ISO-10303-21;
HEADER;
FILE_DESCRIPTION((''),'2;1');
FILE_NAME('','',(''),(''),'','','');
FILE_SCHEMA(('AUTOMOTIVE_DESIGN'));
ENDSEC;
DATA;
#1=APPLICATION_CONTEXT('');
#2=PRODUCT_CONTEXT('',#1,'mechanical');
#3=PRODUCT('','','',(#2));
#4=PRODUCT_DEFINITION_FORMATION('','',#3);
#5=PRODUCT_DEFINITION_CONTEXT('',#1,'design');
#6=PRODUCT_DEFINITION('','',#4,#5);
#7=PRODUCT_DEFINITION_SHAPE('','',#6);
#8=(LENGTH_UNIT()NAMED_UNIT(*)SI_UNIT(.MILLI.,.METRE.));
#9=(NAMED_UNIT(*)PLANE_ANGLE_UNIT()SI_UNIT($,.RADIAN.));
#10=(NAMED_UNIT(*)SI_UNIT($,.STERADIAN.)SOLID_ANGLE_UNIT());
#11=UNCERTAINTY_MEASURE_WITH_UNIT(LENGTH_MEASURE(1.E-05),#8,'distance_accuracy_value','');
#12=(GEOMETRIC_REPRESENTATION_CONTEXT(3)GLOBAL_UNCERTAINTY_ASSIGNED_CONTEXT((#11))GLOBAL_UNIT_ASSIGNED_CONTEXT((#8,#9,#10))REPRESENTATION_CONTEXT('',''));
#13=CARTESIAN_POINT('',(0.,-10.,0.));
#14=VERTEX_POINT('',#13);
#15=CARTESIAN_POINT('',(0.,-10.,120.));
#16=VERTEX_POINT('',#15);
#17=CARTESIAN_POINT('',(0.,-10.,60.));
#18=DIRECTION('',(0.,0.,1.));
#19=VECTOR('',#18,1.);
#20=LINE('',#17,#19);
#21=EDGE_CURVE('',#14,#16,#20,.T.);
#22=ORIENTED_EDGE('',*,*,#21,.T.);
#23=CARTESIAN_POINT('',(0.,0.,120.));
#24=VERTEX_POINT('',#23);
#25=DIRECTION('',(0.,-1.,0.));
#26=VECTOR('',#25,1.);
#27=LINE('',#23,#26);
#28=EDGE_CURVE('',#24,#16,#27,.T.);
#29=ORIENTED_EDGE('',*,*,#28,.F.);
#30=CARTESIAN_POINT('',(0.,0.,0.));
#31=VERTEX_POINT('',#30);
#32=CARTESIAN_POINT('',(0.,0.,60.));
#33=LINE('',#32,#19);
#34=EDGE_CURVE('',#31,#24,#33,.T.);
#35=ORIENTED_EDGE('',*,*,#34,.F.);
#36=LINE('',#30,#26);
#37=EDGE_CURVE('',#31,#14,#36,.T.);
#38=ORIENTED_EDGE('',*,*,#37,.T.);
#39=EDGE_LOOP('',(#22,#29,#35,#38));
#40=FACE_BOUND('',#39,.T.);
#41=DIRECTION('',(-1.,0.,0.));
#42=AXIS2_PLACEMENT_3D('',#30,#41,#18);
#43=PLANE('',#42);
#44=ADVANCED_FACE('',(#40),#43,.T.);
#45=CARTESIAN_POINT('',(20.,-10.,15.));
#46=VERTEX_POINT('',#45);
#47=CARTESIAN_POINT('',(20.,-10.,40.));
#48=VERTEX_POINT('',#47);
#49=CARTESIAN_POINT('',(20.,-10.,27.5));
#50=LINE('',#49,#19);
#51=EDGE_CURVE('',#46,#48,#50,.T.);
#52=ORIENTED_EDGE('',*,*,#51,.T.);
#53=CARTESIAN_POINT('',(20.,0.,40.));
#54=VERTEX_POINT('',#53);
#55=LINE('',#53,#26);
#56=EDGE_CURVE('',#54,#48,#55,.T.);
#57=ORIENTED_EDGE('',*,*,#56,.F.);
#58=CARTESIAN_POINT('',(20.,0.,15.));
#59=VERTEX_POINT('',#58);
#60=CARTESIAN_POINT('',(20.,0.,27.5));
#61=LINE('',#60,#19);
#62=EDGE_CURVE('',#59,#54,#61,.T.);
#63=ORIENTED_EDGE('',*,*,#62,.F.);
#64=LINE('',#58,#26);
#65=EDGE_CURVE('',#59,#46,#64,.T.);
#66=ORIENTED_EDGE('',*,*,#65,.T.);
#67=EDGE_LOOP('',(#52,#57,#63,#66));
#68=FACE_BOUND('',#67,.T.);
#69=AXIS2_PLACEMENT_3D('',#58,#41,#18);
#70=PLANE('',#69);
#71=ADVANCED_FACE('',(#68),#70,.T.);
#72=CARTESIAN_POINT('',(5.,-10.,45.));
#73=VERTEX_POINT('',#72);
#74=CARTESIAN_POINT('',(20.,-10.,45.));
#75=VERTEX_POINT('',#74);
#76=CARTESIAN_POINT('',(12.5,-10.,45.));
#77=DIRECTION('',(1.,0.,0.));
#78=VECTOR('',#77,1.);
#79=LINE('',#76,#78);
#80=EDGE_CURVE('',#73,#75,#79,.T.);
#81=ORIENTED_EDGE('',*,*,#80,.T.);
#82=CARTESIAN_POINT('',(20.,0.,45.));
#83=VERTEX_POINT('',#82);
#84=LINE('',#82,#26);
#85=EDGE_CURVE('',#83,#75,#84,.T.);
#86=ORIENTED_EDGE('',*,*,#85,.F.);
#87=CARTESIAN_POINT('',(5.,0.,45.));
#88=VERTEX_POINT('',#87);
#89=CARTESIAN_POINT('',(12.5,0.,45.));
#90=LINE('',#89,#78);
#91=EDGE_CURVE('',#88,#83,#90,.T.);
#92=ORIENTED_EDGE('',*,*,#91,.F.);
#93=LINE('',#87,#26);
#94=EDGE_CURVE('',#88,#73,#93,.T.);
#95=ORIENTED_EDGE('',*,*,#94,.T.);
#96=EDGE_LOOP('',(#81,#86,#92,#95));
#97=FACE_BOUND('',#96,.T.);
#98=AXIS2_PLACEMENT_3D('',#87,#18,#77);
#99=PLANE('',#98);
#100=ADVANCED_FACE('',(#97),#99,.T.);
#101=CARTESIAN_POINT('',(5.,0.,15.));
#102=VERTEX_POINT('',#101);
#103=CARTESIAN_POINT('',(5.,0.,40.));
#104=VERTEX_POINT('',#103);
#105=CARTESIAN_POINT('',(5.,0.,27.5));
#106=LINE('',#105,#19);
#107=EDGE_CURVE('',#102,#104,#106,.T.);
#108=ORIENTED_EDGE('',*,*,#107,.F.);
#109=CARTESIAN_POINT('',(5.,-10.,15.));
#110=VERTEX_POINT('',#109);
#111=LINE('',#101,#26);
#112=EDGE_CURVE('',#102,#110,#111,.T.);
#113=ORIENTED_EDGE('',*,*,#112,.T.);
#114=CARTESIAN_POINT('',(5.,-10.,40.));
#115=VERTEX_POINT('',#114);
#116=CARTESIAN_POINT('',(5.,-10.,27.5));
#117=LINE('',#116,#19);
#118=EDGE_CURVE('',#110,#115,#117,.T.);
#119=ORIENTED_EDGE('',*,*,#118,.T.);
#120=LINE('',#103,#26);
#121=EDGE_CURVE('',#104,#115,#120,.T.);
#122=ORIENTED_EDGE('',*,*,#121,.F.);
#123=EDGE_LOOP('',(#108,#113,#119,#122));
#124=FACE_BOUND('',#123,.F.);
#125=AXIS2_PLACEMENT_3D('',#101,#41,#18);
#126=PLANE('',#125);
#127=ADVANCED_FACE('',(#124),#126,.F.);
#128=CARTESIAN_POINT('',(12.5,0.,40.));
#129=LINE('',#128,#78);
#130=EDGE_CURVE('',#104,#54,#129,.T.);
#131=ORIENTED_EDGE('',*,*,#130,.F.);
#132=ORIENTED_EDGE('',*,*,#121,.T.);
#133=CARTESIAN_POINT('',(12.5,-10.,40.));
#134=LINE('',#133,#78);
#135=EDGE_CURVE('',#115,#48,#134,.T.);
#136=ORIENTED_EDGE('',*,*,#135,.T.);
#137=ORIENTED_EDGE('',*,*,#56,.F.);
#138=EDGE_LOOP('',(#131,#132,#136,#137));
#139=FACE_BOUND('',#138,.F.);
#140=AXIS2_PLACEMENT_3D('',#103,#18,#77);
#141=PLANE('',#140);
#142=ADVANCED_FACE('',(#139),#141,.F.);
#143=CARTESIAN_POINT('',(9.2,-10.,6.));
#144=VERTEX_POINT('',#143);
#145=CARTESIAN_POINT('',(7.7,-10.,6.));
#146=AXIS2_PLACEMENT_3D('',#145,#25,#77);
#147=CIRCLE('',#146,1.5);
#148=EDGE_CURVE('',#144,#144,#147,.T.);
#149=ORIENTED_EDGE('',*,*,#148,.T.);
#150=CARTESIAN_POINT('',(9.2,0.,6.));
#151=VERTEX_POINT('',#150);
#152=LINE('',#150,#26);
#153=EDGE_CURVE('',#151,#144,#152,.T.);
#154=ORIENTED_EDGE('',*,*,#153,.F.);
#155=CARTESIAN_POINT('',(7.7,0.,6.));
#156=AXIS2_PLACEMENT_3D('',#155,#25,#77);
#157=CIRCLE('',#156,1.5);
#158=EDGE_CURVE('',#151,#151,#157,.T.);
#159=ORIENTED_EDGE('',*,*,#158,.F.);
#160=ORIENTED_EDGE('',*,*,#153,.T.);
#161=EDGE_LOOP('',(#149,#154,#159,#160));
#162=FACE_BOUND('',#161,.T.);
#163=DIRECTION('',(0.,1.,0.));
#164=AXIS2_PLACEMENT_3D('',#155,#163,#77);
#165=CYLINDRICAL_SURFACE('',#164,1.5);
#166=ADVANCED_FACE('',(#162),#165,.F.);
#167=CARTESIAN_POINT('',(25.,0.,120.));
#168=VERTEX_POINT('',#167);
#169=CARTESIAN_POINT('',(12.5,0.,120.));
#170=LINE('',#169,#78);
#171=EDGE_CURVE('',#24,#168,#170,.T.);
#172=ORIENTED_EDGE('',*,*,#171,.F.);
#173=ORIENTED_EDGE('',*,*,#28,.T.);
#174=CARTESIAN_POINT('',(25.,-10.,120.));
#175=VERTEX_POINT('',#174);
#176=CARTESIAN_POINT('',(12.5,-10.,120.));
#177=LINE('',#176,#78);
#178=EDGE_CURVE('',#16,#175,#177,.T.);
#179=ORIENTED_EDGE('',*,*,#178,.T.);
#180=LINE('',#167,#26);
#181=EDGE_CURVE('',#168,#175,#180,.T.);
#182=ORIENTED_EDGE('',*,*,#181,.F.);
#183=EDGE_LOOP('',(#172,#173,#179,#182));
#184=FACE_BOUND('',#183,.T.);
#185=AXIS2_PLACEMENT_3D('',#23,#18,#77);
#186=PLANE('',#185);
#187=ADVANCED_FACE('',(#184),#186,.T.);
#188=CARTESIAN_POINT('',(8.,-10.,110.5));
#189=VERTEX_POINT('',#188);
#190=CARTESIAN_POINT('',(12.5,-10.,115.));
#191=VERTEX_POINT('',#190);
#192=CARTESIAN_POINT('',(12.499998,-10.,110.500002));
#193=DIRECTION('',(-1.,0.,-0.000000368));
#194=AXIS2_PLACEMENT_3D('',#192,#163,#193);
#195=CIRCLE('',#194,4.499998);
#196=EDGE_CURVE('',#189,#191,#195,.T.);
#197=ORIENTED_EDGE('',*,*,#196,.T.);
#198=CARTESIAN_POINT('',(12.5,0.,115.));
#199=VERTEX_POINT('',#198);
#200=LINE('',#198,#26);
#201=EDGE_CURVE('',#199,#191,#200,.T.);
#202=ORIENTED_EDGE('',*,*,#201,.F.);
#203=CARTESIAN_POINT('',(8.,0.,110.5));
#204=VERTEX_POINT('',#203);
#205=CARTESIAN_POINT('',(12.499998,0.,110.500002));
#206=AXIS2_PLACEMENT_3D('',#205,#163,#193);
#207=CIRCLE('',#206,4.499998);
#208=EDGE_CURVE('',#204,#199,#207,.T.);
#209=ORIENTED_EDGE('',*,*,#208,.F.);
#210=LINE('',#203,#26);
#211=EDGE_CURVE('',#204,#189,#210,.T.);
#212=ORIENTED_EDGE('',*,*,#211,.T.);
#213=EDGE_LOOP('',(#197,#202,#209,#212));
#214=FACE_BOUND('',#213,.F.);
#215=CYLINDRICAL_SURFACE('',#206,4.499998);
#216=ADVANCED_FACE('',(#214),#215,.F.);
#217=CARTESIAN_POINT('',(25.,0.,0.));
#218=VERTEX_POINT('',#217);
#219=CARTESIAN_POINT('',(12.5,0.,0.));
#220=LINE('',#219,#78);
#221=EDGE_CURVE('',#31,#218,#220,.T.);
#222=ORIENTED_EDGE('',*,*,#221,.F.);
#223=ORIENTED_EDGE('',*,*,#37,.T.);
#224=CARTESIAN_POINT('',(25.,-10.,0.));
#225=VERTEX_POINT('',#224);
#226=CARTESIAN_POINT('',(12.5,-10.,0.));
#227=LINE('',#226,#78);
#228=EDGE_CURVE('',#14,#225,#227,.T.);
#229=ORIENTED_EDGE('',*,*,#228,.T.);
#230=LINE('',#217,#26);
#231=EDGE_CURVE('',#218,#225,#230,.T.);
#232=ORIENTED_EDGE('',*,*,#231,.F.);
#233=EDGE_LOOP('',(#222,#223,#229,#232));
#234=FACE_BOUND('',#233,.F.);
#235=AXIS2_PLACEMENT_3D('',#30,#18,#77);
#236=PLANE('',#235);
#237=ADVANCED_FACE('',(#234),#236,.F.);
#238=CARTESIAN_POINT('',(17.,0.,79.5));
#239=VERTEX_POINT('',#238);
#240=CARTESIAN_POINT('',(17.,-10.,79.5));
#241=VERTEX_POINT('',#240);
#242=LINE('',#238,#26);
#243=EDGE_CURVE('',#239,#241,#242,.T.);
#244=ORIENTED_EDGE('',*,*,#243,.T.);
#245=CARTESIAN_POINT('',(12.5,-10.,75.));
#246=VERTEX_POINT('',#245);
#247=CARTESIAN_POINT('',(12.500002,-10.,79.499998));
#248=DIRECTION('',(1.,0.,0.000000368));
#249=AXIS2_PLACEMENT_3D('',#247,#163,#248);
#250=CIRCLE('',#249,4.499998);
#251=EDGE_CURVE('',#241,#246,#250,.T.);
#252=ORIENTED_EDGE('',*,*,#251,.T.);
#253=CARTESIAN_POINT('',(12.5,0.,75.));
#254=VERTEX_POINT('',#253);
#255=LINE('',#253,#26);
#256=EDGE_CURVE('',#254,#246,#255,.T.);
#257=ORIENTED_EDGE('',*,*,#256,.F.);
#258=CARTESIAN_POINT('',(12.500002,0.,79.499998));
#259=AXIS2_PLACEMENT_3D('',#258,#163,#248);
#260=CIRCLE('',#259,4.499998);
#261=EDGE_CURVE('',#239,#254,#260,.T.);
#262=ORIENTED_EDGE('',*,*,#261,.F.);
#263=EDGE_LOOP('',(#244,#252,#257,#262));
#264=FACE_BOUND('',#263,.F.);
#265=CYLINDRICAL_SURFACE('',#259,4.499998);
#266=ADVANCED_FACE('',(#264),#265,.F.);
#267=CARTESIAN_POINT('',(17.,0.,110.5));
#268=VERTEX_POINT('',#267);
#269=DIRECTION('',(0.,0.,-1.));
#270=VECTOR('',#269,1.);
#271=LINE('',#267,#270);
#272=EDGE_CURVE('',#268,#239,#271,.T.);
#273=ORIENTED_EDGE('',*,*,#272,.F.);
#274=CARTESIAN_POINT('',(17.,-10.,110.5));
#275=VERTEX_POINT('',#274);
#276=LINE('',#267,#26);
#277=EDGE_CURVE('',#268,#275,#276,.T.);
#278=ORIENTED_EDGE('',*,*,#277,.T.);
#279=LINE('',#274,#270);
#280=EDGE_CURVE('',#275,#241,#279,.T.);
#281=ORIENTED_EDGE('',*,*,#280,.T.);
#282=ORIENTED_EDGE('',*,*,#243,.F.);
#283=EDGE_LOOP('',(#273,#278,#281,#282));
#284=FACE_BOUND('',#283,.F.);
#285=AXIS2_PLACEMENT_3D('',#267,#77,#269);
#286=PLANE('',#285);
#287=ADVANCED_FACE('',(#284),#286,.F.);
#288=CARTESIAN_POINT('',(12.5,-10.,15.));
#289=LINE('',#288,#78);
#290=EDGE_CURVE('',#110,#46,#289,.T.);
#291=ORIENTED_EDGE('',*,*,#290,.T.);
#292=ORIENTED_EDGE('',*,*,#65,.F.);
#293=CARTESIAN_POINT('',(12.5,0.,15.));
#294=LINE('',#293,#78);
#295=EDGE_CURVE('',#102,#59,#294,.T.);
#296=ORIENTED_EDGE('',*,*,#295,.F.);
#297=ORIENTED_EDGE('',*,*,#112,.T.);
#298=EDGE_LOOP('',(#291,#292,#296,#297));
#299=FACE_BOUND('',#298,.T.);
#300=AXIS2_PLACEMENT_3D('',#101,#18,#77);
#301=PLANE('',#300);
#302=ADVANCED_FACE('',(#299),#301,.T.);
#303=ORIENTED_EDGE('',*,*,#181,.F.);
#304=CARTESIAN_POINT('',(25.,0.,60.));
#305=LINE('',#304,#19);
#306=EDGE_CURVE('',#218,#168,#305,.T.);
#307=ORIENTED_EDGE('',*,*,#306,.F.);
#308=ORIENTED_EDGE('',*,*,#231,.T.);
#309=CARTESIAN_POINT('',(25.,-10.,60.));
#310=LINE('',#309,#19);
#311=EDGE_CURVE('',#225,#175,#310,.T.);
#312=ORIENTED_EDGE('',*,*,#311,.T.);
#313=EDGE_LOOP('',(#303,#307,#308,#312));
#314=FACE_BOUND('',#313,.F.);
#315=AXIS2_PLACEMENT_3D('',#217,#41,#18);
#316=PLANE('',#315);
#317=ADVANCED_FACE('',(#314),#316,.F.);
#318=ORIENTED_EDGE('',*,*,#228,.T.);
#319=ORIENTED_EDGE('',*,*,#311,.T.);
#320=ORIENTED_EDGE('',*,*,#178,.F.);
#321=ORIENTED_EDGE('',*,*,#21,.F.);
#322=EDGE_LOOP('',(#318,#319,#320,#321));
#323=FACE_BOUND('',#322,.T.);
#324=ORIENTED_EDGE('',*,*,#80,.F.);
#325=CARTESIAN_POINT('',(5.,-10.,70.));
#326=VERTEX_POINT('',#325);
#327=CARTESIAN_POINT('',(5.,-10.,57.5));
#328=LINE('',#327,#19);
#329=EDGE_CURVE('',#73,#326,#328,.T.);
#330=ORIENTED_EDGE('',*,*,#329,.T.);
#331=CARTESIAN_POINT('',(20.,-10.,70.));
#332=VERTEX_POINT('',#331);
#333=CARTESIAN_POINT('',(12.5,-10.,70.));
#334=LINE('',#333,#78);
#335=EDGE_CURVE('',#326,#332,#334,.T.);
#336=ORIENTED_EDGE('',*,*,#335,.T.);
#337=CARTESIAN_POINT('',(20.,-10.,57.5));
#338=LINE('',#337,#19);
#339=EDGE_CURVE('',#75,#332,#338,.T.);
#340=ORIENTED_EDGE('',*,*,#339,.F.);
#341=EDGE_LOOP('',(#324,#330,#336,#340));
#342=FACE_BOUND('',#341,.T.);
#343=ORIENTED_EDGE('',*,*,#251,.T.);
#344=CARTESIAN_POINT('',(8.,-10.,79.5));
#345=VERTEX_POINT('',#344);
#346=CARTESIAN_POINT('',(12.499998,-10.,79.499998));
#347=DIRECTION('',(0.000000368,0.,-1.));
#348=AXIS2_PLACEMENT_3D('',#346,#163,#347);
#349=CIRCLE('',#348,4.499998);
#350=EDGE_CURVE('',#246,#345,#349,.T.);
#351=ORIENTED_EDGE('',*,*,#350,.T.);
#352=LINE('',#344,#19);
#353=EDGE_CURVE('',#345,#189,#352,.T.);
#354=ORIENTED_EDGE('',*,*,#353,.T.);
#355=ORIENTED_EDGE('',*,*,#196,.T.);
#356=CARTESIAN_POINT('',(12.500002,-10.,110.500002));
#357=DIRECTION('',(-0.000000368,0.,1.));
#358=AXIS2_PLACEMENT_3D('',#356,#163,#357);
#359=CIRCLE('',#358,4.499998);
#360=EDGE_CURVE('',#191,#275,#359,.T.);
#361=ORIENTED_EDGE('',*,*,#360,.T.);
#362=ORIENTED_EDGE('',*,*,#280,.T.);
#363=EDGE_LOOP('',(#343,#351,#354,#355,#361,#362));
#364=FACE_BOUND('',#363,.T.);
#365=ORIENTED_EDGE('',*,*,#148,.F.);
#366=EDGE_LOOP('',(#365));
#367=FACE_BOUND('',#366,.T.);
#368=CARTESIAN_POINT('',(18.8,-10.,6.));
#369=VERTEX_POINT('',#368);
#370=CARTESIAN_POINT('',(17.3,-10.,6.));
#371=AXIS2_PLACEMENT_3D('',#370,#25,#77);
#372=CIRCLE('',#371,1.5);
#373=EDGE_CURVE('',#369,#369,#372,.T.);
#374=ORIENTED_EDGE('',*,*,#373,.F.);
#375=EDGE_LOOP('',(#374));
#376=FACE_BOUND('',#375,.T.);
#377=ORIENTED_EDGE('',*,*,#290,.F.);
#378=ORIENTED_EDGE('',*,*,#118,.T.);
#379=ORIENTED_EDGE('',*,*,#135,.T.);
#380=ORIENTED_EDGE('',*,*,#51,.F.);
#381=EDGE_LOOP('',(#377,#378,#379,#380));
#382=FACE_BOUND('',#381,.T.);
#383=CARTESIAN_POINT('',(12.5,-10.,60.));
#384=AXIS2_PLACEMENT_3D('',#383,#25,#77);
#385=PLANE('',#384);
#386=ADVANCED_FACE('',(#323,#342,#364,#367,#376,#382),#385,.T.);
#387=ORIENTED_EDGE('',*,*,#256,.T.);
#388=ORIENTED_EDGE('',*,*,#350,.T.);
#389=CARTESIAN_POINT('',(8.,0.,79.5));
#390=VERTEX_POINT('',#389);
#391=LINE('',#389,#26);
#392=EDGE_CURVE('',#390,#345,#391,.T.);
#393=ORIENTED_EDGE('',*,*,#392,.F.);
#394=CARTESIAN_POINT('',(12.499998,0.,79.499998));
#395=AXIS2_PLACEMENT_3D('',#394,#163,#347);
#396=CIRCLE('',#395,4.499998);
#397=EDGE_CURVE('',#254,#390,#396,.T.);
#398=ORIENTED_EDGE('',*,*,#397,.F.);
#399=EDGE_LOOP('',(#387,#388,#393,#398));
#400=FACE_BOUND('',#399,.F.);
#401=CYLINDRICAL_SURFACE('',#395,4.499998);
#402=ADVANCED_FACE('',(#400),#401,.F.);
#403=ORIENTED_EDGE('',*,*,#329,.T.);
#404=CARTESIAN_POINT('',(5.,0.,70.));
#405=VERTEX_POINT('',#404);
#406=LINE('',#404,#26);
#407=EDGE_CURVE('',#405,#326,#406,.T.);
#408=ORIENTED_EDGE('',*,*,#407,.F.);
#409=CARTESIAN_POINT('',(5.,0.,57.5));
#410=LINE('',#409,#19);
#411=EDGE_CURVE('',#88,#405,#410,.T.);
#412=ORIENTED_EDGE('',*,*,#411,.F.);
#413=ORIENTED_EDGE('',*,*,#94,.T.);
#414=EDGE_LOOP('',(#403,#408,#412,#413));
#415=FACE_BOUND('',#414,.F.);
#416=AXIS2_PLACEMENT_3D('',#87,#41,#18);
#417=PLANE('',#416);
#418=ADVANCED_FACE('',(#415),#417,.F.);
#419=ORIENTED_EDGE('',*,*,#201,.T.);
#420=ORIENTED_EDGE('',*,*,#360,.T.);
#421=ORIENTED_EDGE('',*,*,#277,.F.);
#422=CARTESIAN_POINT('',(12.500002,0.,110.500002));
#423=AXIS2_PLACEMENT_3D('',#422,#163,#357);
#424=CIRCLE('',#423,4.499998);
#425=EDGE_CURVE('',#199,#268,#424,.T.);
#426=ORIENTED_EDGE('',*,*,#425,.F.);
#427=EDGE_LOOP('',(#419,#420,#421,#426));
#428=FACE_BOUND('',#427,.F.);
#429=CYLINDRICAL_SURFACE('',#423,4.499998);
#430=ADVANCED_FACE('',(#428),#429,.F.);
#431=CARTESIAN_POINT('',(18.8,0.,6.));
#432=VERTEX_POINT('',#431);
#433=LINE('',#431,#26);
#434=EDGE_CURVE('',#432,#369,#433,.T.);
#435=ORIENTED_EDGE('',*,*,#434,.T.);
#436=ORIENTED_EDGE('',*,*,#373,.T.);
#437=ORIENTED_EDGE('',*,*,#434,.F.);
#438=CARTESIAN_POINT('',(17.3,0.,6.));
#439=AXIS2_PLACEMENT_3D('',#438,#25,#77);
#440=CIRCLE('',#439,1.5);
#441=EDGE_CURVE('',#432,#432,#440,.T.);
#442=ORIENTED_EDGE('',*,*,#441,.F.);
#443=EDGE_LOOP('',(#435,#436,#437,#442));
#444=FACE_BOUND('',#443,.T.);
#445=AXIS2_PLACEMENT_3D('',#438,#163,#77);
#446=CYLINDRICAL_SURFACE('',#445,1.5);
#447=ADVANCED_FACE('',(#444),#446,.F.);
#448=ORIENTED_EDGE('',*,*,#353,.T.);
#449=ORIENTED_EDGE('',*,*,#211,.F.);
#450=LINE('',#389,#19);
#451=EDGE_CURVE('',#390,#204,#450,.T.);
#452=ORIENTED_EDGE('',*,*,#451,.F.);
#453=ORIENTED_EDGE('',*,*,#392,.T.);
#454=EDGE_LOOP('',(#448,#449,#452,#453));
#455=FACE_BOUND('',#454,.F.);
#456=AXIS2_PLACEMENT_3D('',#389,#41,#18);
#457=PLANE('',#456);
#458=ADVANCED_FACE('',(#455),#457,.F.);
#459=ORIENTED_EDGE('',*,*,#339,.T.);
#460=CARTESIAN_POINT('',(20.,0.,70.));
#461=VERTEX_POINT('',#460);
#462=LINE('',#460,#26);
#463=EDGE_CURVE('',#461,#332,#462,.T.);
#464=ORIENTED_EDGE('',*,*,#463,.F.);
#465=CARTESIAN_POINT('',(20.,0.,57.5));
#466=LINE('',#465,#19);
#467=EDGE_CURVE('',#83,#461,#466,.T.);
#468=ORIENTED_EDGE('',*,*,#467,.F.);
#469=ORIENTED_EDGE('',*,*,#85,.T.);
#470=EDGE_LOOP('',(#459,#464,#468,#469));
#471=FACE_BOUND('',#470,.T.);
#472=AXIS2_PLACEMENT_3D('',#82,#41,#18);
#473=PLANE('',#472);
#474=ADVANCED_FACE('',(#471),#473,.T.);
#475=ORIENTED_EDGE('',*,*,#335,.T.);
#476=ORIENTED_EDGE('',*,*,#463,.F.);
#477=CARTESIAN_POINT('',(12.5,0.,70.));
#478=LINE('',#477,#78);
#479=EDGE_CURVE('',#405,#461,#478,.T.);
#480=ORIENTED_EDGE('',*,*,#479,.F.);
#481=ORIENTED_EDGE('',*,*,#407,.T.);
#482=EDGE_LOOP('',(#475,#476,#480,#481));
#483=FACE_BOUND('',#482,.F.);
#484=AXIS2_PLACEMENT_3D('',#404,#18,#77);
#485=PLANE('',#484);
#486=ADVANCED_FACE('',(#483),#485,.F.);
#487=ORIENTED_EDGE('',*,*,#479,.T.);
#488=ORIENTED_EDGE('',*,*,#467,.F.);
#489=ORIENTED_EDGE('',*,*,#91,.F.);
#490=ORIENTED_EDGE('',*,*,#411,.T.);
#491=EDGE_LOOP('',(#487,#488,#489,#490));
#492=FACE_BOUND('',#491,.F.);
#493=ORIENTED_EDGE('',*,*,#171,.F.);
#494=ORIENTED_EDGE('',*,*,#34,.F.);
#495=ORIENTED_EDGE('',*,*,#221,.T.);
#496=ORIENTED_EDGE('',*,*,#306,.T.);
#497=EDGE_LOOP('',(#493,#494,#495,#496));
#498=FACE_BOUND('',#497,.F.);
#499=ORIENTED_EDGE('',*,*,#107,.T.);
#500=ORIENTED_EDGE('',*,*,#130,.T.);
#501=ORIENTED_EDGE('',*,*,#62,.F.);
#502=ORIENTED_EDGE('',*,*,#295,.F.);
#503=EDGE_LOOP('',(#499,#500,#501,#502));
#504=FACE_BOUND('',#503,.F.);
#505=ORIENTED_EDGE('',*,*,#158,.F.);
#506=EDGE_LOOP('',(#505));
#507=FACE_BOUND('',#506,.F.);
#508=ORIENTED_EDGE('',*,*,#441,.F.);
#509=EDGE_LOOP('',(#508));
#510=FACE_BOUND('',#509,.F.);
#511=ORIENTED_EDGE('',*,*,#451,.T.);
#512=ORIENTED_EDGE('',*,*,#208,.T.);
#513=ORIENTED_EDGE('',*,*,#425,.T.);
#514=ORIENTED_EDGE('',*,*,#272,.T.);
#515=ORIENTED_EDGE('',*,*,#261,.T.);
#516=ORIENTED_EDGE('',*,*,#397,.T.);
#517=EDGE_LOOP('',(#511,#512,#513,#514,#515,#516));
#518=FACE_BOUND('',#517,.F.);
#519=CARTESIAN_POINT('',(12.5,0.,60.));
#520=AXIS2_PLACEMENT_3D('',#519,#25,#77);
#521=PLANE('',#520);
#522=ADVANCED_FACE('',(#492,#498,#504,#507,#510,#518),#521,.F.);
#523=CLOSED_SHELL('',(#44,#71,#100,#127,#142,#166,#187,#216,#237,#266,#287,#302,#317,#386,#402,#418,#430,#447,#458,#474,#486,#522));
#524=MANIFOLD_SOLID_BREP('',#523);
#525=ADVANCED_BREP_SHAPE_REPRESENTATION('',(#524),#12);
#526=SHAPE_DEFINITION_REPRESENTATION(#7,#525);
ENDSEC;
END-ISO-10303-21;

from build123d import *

# Parameters (mm, degrees)
F0_W     = 25
F0_H     = 120
F0_R     = 1.5
F0_W_2   = 15
F0_H_2   = 25
F1_DEPTH = 10


with BuildPart() as f1:
    # F0 (on Front) → F1 (new body)
    with BuildSketch(Plane.XZ):
        with Locations((12.5, 60)):
            Rectangle(F0_W, F0_H)
        with Locations((7.7, 6)):
            Circle(F0_R, mode=Mode.SUBTRACT)
        with Locations((17.3, 6)):
            Circle(F0_R, mode=Mode.SUBTRACT)
        with Locations((12.5, 27.5)):
            Rectangle(F0_W_2, F0_H_2, mode=Mode.SUBTRACT)
        with Locations((12.5, 57.5)):
            Rectangle(F0_W_2, F0_H_2, mode=Mode.SUBTRACT)
        with BuildLine():
            Line((8, 79.5), (8, 110.5))
            ThreePointArc((8, 110.5), (9.318019, 113.681981), (12.5, 115))
            ThreePointArc((12.5, 115), (15.681981, 113.681981), (17, 110.5))
            Line((17, 110.5), (17, 79.5))
            ThreePointArc((17, 79.5), (15.681981, 76.318019), (12.5, 75))
            ThreePointArc((12.5, 75), (9.318019, 76.318019), (8, 79.5))
        make_face(mode=Mode.SUBTRACT)
    extrude(amount=F1_DEPTH)


solid = f1.part
